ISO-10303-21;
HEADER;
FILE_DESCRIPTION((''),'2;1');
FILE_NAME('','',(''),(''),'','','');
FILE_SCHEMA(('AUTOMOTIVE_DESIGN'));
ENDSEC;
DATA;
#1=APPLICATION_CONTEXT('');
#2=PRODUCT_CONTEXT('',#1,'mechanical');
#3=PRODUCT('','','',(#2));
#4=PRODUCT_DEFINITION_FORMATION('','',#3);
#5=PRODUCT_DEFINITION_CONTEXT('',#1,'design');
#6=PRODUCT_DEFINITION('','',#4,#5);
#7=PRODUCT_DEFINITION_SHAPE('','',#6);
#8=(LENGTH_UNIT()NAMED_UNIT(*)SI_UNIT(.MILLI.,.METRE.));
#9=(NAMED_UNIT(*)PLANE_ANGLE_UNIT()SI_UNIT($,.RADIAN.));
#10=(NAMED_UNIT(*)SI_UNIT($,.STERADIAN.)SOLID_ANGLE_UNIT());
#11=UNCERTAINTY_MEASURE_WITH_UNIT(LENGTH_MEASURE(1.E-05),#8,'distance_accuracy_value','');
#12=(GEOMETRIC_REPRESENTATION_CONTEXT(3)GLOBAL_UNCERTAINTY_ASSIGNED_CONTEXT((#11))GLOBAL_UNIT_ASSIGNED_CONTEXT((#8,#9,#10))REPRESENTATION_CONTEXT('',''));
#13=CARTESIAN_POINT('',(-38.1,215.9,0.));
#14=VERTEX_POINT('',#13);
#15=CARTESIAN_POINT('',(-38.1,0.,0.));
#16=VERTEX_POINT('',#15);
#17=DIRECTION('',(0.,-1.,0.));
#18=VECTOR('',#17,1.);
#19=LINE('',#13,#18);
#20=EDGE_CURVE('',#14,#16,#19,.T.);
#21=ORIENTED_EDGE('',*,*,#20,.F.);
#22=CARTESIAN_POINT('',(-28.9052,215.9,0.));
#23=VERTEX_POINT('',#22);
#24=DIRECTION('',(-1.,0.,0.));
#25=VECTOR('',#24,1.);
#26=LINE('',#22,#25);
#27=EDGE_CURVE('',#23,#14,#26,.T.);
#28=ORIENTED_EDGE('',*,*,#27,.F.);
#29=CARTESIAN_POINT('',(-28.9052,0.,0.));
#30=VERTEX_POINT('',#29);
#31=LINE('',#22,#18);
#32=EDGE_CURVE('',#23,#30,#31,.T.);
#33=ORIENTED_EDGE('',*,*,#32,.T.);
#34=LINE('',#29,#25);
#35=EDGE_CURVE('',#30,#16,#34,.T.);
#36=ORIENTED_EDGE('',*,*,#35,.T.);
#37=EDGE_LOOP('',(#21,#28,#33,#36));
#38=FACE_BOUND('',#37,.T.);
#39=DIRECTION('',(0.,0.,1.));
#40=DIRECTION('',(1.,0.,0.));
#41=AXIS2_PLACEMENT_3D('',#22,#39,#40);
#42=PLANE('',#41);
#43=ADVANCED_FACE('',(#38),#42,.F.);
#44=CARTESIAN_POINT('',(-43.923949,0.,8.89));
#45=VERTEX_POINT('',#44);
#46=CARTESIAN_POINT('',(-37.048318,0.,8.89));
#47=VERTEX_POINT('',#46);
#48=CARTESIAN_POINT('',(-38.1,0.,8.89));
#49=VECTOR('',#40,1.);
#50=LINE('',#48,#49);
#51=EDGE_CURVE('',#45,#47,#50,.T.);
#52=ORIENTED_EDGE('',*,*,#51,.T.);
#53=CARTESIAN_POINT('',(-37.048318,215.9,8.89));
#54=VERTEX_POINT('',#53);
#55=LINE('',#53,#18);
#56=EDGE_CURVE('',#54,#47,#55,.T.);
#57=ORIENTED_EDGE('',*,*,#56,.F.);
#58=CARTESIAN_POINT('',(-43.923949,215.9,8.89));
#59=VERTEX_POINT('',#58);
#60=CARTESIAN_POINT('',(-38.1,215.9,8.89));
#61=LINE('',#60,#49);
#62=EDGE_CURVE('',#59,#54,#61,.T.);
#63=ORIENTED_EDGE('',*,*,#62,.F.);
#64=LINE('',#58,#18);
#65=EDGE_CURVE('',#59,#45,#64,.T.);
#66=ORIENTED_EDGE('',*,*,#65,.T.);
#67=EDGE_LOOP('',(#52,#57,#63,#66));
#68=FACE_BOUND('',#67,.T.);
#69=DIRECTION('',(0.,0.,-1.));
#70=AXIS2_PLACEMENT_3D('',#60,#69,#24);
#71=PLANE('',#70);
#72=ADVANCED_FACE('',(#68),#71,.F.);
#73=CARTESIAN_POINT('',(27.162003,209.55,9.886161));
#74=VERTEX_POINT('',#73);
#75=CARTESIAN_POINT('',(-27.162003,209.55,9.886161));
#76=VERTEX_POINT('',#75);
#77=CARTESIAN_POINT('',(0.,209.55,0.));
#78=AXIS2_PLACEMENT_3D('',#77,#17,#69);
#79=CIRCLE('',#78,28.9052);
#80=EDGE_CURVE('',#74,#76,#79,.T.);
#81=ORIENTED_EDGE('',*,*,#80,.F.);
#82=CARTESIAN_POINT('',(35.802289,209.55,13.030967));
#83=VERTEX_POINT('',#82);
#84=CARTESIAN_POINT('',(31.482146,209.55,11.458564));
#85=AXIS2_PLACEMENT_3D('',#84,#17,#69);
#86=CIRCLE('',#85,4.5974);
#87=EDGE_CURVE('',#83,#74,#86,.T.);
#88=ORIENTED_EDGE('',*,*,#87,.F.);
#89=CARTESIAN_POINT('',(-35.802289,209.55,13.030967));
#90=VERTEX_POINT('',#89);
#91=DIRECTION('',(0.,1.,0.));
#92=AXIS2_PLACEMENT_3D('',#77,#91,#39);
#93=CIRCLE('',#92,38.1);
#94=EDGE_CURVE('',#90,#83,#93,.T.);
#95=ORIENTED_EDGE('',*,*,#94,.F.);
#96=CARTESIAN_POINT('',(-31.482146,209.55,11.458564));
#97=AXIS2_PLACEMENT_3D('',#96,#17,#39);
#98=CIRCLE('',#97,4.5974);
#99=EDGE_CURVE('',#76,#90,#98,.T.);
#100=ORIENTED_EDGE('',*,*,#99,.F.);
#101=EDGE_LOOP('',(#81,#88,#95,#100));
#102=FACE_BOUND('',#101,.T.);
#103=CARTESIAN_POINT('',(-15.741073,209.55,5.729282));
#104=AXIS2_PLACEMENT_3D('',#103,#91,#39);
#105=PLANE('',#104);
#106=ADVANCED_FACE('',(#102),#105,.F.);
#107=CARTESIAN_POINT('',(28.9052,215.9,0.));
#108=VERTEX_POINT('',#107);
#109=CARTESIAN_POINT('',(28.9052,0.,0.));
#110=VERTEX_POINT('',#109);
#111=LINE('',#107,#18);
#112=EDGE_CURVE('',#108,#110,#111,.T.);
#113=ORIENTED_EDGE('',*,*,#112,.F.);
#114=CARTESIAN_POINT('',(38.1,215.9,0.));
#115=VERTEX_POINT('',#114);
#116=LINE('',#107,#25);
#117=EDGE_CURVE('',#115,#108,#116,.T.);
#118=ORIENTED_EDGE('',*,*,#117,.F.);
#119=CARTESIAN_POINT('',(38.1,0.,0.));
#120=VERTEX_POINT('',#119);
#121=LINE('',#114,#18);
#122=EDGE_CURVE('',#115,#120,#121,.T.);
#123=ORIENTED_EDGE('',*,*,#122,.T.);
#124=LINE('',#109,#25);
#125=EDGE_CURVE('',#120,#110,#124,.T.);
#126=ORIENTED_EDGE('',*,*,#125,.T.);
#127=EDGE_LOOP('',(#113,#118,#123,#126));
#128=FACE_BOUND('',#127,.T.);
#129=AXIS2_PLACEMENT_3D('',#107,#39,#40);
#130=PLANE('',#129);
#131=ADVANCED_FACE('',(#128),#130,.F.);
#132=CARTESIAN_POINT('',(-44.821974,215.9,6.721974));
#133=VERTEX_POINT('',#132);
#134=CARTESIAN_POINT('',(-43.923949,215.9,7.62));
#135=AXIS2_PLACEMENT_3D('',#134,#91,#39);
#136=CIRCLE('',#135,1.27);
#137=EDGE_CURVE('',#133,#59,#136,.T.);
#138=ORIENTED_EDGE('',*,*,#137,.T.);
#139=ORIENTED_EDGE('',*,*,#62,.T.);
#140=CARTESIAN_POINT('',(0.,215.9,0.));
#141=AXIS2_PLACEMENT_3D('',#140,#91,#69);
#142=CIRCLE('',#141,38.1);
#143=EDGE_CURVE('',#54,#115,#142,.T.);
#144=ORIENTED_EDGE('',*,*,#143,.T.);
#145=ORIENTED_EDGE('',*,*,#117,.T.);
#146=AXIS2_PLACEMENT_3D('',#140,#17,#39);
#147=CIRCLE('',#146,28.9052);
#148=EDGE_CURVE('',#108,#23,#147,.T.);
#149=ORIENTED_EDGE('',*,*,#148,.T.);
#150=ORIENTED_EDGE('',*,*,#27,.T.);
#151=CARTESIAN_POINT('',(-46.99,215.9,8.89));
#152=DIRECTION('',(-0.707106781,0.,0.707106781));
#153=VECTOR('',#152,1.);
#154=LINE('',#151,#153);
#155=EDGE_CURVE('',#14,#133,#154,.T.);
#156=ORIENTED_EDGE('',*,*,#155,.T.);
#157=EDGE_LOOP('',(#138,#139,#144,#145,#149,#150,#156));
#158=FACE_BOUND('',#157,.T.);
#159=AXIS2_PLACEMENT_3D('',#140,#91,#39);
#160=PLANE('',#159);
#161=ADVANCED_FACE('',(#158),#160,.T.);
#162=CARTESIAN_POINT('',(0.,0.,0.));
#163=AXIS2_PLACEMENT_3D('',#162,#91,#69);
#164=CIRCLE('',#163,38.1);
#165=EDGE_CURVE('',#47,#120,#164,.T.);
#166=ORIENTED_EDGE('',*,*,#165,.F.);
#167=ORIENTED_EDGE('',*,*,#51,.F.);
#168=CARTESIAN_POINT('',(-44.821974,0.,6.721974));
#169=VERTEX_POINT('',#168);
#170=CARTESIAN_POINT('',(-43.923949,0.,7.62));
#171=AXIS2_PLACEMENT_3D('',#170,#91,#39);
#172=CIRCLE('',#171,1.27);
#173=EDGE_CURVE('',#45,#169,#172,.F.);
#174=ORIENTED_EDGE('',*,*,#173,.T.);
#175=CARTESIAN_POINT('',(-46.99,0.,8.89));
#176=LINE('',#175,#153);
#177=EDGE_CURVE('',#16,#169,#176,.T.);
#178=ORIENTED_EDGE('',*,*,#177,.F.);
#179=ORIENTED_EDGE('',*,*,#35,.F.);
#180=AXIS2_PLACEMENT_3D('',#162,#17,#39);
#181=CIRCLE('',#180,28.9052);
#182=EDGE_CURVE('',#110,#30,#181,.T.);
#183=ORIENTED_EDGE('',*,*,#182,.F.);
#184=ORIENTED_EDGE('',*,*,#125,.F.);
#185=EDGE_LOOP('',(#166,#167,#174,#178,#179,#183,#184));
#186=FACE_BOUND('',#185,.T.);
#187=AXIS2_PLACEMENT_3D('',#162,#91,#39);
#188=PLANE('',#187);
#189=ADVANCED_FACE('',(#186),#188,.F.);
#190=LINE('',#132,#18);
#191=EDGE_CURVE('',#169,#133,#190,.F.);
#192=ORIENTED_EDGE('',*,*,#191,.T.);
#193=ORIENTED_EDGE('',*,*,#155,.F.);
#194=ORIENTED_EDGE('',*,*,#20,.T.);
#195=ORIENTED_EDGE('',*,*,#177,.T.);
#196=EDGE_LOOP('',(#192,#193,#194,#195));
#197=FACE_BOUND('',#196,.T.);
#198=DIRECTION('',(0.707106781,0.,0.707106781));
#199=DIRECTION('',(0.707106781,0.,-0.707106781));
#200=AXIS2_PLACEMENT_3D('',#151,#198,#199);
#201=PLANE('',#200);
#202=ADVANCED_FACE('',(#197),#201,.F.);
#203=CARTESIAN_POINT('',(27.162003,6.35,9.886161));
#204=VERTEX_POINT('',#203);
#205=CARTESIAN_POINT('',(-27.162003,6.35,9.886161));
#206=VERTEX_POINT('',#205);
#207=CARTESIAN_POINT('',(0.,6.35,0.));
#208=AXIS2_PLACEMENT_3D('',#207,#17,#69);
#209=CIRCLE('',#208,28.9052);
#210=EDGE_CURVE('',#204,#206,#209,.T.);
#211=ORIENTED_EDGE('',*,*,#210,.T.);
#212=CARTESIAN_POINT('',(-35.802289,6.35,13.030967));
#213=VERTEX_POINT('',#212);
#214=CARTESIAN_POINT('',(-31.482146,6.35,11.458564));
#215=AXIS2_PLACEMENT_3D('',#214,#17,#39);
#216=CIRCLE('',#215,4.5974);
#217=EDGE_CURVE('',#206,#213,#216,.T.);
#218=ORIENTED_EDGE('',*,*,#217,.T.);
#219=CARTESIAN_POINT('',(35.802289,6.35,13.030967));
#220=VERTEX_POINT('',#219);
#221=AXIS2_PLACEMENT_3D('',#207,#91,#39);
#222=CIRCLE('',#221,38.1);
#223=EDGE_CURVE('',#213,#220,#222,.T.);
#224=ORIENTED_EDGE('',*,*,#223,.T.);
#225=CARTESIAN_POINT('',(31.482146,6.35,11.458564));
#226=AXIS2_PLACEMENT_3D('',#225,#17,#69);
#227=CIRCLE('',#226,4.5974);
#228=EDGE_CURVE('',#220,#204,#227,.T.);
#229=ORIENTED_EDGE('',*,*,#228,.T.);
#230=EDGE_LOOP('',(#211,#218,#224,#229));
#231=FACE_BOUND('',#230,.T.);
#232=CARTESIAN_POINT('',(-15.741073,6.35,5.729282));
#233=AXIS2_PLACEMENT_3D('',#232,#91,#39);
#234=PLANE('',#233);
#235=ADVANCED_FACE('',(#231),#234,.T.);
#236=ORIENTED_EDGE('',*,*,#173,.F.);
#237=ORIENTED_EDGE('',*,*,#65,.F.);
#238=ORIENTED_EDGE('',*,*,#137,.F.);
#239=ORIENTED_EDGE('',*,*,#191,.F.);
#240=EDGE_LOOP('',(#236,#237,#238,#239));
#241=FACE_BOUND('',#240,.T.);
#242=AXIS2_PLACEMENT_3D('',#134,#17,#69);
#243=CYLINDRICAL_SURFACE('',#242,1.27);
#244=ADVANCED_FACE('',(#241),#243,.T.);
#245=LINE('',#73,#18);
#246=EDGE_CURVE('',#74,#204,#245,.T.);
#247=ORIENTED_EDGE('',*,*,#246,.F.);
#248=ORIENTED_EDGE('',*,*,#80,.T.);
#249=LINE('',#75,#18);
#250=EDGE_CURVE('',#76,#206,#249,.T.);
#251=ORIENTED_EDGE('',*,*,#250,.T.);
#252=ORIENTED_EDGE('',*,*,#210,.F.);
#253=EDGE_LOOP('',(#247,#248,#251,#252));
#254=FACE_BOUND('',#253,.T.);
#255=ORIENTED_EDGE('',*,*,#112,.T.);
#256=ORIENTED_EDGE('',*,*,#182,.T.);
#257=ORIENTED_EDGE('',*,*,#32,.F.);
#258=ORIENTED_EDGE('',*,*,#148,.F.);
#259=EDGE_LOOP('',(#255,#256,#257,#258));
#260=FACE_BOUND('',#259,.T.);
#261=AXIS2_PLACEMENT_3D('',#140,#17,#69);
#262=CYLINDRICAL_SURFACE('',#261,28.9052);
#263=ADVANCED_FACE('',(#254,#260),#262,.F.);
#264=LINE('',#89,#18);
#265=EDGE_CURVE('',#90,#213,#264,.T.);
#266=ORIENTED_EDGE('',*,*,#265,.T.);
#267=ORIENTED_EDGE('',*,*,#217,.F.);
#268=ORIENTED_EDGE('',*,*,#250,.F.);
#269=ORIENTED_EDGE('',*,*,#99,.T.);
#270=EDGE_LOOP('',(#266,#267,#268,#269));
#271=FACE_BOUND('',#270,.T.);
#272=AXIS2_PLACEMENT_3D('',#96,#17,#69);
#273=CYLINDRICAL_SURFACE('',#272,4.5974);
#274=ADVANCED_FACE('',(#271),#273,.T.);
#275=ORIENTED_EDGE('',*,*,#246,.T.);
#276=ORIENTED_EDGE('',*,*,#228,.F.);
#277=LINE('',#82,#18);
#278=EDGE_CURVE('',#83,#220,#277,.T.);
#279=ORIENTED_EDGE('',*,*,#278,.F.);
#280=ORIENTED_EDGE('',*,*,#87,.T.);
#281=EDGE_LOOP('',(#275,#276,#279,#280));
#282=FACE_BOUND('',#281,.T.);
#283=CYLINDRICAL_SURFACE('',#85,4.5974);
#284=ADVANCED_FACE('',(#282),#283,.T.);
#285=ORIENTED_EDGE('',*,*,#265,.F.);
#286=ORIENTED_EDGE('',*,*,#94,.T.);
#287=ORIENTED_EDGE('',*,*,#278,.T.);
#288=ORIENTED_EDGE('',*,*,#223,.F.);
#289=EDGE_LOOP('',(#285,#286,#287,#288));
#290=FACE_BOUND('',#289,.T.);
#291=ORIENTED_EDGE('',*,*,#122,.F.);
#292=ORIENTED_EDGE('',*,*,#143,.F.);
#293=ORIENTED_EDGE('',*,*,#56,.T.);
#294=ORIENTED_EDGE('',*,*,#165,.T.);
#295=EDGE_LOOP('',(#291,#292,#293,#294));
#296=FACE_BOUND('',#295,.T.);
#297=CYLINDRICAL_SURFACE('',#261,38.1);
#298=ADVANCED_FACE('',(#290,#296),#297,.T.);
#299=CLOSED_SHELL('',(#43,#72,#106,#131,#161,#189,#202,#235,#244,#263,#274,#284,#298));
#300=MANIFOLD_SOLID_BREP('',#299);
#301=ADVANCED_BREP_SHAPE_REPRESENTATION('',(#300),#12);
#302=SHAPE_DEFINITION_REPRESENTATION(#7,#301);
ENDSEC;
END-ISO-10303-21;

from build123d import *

# Parameters (mm, degrees)
BOSS_EXTRUDE1_DEPTH = 215.9
FILLET2_R           = 1.27
CUT_EXTRUDE2_START  = 6.35
CUT_EXTRUDE2_DEPTH  = 203.2


with BuildPart() as part:
    # Sketch4 → Boss-Extrude1 (new body)
    with BuildSketch(Plane(origin=(0, 0, 0), x_dir=(1, 0, 0), z_dir=(0, 1, 0))):
        with BuildLine():
            Line((-28.9052, 0), (-38.1, 0))
            Line((-38.1, 0), (-46.99, -8.89))
            Line((-46.99, -8.89), (-38.1, -8.89))
            Line((-38.1, -8.89), (-37.04831845, -8.89))
            ThreePointArc((-37.04831845, -8.89), (4.475995255, -37.836166118), (38.1, 0))
            Line((38.1, 0), (28.9052, 0))
            ThreePointArc((28.9052, 0), (0, -28.9052), (-28.9052, 0))
        make_face()
    extrude(amount=BOSS_EXTRUDE1_DEPTH)

    # Fillet2
    fillet2_edges = [part.edges().sort_by_distance(p)[0] for p in [
        (-46.99, 107.95, 8.89),
    ]]
    fillet(fillet2_edges, radius=FILLET2_R)

    # Sketch6 → Cut-Extrude2 (cut)
    with BuildSketch(Plane(origin=(0, 0, 0), x_dir=(1, 0, 0), z_dir=(0, 1, 0)).offset(CUT_EXTRUDE2_START)):
        with BuildLine():
            ThreePointArc((-35.802288852, -13.030967461), (0, -38.1), (35.802288852, -13.030967461))
            ThreePointArc((35.802288852, -13.030967461), (29.90974259, -15.778706909), (27.162003142, -9.886160647))
            ThreePointArc((27.162003142, -9.886160647), (0, -28.9052), (-27.162003142, -9.886160647))
            ThreePointArc((-27.162003142, -9.886160647), (-29.90974259, -15.778706909), (-35.802288852, -13.030967461))
        make_face()
    extrude(amount=CUT_EXTRUDE2_DEPTH, mode=Mode.SUBTRACT)


solid = part.part
